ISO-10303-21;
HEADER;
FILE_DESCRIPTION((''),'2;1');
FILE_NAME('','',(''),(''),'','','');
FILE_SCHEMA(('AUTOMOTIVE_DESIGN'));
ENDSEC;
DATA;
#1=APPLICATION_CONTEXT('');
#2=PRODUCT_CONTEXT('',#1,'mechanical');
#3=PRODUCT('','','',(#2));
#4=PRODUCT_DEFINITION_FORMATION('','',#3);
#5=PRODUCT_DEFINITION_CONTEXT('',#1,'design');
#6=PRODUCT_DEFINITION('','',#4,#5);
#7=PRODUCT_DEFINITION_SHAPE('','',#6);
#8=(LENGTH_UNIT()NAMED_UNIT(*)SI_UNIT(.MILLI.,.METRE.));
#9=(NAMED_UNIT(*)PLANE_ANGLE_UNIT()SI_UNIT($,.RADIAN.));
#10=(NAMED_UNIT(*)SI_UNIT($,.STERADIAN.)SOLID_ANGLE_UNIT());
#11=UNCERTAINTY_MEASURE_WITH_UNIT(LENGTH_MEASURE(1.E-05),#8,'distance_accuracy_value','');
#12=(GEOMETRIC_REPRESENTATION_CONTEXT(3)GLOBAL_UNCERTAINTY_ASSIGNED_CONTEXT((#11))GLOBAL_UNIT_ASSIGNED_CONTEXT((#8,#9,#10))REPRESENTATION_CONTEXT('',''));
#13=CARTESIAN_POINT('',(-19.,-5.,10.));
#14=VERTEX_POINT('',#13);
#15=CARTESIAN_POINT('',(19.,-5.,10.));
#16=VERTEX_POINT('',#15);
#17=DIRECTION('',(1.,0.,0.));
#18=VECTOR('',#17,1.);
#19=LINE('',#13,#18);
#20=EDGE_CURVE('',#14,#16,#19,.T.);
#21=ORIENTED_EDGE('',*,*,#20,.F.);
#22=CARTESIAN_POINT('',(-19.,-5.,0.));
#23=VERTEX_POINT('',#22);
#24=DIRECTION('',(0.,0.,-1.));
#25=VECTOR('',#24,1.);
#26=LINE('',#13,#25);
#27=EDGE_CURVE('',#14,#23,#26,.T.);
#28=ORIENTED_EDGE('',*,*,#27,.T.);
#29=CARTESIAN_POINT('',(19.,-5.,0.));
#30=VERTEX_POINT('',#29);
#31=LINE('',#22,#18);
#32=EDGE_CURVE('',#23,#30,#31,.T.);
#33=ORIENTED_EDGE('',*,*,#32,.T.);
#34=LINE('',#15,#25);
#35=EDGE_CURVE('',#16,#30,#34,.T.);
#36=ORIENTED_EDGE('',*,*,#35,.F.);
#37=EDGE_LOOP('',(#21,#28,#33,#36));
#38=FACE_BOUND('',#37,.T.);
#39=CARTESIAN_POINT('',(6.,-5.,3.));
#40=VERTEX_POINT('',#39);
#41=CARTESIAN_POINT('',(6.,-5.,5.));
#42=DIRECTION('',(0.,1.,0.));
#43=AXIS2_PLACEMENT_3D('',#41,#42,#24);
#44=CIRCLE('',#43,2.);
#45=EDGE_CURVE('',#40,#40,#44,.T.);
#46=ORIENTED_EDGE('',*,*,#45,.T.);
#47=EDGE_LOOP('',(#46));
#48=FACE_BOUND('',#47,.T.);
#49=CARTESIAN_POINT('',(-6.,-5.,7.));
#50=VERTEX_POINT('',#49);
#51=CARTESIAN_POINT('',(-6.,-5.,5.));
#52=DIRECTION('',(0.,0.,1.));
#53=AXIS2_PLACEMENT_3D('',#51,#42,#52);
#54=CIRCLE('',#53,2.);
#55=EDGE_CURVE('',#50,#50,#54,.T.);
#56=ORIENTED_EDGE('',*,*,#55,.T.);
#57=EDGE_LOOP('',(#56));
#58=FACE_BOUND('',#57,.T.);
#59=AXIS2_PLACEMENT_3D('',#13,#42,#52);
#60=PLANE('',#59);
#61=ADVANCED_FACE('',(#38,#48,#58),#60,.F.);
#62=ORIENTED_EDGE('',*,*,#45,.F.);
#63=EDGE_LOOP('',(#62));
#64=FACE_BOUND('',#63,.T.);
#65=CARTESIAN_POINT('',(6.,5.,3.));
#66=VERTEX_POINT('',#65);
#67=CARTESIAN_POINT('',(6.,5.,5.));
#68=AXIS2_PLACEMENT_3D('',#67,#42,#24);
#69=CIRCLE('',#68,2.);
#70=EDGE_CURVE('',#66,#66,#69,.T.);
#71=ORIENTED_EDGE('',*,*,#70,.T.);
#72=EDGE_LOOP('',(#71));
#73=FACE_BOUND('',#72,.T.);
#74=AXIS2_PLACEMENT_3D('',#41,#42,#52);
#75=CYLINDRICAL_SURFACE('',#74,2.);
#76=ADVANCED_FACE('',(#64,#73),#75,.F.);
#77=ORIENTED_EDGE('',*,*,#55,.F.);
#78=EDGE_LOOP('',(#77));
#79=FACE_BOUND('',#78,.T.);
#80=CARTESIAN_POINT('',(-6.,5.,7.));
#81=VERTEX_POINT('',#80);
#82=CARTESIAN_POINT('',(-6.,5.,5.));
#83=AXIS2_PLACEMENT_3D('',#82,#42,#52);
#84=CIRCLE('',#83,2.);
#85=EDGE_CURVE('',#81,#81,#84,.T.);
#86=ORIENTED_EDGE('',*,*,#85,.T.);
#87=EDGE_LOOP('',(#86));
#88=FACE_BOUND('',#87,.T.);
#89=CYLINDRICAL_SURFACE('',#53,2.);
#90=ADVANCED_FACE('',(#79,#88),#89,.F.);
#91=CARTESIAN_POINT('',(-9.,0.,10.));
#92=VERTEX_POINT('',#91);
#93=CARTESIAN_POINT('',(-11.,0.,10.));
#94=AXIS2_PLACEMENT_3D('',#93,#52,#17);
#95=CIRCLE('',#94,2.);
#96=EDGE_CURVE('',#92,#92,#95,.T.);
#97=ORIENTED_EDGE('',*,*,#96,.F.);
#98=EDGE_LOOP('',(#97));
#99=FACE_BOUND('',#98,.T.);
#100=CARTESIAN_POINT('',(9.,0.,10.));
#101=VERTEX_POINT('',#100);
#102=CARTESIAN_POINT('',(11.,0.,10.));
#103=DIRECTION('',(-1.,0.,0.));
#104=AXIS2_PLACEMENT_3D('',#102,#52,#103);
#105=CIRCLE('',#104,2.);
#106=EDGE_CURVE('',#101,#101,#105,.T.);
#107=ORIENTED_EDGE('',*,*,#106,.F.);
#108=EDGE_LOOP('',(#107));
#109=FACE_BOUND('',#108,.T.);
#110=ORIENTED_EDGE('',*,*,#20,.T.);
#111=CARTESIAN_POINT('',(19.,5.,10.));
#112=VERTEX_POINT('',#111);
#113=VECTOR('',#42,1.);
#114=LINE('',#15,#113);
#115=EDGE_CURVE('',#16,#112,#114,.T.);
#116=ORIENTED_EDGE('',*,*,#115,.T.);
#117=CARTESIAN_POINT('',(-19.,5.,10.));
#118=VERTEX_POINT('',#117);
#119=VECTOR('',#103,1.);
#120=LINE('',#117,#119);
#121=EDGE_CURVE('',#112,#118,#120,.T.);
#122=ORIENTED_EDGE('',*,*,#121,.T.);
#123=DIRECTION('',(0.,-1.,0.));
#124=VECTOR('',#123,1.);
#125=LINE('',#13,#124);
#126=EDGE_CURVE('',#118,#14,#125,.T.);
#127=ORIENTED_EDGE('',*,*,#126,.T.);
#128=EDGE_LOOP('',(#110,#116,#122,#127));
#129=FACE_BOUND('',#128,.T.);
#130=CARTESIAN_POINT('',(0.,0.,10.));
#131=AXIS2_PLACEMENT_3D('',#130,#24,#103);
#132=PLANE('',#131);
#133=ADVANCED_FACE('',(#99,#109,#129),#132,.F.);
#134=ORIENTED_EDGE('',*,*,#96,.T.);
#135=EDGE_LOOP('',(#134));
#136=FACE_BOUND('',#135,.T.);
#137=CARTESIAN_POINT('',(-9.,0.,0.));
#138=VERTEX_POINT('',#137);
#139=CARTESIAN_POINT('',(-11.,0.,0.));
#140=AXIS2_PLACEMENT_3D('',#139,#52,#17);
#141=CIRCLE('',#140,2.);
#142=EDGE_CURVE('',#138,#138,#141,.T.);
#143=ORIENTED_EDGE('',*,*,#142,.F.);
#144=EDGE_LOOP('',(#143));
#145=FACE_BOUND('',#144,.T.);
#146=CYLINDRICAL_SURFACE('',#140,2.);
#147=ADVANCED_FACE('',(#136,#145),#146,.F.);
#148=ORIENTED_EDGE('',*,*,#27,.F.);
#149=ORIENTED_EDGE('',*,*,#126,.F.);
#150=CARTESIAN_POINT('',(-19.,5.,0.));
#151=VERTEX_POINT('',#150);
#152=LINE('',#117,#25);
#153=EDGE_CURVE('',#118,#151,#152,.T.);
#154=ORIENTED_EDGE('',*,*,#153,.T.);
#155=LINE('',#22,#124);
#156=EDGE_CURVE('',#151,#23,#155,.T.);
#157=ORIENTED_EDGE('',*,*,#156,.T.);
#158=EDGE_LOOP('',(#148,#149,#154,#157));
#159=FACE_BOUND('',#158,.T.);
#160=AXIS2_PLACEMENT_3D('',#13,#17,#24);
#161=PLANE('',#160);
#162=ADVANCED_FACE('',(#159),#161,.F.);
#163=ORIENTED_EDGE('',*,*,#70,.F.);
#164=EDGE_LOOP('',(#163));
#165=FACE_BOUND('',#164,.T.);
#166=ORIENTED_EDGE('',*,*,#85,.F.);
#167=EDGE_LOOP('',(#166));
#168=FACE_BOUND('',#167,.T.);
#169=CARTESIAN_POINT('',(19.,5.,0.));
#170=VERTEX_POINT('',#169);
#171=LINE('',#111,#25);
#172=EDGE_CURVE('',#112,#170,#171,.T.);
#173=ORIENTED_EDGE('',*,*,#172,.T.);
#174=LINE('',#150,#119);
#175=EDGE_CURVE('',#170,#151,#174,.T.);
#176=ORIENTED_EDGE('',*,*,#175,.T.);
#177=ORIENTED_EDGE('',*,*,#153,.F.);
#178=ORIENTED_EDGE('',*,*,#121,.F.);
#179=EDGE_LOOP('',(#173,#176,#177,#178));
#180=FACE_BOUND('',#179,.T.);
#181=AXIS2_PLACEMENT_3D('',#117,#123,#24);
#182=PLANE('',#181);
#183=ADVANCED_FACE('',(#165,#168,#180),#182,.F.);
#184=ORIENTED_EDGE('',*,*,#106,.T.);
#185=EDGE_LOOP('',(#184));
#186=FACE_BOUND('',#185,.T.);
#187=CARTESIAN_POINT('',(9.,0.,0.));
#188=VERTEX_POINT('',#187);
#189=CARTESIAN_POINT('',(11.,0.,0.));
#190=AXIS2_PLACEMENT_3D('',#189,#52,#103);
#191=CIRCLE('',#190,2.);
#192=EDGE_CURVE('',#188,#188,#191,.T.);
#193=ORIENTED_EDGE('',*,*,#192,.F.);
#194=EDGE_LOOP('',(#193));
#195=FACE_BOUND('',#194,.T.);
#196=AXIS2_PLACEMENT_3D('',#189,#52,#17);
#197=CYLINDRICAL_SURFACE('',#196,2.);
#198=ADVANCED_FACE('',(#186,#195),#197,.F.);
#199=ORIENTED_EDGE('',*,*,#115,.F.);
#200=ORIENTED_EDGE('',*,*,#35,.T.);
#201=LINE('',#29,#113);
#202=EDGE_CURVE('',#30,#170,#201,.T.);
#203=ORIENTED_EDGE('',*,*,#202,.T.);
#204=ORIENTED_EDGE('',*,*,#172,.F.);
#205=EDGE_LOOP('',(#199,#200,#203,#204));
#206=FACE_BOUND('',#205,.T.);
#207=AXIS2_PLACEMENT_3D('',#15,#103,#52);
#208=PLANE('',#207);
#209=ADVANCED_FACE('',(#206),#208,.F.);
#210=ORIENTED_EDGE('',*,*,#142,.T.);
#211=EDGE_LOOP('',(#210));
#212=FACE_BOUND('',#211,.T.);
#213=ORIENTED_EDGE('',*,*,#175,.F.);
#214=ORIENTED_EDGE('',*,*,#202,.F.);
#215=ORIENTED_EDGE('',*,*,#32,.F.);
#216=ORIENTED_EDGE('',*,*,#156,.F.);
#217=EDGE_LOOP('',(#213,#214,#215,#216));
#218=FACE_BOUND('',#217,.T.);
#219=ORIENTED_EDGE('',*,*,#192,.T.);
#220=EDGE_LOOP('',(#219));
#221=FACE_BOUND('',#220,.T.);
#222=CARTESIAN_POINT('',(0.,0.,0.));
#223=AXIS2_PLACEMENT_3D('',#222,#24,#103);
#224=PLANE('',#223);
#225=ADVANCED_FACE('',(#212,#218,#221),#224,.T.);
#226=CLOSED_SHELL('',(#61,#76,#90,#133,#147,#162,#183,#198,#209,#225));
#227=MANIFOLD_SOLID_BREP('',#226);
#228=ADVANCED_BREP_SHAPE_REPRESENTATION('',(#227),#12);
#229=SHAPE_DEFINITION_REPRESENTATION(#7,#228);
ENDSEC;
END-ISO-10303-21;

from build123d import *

# Parameters (mm, degrees)
SKETCH_1_W          = 38
SKETCH_1_H          = 10
EXTRUDE_1_DEPTH     = 10
SKETCH_3_R          = 2
CUT_EXTRUDE_1_DEPTH = 10
SKETCH_4_R          = 2
CUT_EXTRUDE_2_DEPTH = 10


with BuildPart() as part:
    # 草图1 → 凸台-拉伸1 (new body)
    with BuildSketch(Plane.XY):
        Rectangle(SKETCH_1_W, SKETCH_1_H)
    extrude(amount=EXTRUDE_1_DEPTH)

    # 草图3 → 切除-拉伸1 (cut)
    with BuildSketch(Plane.XY.offset(10)):
        with Locations((-11, 0)):
            Circle(SKETCH_3_R)
        with Locations(Location((11, 0, 0), (0, 0, 180))):
            Circle(SKETCH_3_R)
    extrude(amount=-CUT_EXTRUDE_1_DEPTH, mode=Mode.SUBTRACT)

    # 草图4 → 切除-拉伸2 (cut)
    with BuildSketch(Plane(origin=(0, 5, 0), x_dir=(1, 0, 0), z_dir=(0, 1, 0))):
        with Locations(Location((-6, -5, 0), (0, 0, 270))):
            Circle(SKETCH_4_R)
        with Locations(Location((6, -5, 0), (0, 0, 90))):
            Circle(SKETCH_4_R)
    extrude(amount=-CUT_EXTRUDE_2_DEPTH, mode=Mode.SUBTRACT)


solid = part.part
